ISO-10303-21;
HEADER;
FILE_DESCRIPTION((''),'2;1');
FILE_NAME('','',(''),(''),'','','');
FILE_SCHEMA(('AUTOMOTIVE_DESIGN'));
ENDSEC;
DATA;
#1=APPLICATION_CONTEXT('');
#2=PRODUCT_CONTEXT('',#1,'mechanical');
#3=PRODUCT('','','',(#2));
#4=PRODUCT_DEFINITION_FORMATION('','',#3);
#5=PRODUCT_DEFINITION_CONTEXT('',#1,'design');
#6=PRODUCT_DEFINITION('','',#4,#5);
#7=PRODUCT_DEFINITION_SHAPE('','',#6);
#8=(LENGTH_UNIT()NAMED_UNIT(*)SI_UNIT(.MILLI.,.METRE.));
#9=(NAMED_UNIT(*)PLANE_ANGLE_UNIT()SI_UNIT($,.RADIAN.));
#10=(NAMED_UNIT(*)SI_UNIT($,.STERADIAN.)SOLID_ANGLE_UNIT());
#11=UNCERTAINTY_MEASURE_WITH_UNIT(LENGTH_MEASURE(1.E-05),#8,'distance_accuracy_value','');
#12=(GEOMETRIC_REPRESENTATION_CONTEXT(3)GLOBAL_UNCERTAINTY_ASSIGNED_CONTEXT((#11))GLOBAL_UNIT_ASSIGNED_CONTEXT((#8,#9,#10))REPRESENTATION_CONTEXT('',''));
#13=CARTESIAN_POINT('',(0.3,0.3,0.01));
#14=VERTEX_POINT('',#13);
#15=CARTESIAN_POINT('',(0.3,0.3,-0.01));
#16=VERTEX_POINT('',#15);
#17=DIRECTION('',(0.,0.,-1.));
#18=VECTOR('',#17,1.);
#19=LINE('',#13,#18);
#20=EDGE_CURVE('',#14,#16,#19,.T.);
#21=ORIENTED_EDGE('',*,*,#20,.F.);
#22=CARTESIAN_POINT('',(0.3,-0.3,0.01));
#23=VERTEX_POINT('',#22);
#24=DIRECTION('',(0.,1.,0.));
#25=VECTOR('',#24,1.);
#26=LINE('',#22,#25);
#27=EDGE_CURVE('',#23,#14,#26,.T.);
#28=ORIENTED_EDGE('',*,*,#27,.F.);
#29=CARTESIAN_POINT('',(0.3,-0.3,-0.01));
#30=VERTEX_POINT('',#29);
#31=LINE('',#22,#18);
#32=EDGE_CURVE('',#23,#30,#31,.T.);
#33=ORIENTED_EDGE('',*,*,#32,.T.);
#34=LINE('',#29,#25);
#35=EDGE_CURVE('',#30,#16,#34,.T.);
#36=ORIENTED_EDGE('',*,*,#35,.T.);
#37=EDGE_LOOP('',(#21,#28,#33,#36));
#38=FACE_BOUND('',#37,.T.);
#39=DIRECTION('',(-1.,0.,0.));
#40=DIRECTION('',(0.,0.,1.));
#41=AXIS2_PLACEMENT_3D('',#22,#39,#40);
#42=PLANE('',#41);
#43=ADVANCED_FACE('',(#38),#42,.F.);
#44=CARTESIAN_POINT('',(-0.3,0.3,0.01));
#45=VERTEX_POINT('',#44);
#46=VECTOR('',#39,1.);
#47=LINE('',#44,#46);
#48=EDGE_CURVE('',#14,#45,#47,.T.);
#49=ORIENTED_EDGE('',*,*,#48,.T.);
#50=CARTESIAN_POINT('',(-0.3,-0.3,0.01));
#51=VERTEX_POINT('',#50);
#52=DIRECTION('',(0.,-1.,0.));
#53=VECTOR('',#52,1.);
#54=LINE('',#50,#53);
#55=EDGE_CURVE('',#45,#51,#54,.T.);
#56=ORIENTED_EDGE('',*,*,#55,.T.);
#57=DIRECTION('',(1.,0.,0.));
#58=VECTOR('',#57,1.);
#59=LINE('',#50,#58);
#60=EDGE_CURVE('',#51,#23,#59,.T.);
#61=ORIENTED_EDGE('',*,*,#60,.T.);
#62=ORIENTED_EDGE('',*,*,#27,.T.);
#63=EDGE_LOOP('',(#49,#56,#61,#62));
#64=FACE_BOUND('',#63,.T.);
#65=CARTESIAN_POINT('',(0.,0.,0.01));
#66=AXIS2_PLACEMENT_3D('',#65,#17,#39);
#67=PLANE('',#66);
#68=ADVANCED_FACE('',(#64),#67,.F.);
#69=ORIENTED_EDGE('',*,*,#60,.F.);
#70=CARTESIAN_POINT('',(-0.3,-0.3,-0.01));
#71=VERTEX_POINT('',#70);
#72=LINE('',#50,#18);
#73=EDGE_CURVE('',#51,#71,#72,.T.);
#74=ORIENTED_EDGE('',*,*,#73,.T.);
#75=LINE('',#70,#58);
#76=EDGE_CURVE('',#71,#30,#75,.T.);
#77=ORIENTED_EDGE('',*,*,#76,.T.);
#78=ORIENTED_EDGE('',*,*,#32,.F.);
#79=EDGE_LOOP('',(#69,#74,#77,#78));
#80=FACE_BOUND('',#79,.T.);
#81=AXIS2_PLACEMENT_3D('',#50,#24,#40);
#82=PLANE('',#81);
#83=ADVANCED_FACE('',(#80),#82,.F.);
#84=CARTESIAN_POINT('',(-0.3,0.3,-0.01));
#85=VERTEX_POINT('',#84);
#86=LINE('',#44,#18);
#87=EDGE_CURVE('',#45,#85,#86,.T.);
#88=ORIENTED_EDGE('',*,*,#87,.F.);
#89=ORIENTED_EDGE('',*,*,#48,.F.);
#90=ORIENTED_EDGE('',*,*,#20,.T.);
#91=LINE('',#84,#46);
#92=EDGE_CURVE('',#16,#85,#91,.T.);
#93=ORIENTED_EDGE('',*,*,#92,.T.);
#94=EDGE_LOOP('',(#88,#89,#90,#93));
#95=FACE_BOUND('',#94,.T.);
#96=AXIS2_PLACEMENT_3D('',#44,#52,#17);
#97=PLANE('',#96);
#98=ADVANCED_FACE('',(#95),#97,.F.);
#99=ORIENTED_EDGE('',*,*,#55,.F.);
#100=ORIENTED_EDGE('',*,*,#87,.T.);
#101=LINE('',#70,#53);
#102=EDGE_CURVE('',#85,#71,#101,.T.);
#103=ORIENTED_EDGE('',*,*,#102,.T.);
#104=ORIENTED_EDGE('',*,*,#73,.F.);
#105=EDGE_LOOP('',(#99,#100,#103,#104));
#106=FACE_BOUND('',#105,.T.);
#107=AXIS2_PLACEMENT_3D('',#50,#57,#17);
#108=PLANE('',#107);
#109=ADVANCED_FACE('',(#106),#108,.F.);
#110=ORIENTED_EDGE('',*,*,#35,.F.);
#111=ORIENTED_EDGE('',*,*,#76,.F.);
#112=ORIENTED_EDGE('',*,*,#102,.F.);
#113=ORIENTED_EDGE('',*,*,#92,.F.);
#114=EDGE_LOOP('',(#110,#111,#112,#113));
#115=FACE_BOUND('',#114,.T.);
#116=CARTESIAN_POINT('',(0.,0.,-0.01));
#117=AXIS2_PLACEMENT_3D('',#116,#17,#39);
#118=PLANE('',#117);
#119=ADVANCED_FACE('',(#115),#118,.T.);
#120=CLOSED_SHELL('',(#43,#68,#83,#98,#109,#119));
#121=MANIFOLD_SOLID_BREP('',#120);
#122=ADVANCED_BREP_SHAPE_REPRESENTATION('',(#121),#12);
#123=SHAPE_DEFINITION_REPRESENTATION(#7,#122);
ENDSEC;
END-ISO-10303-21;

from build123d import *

# Parameters (mm, degrees)
SKETCH2_W           = 0.6
SKETCH2_H           = 0.6
BOSS_EXTRUDE1_DEPTH = 0.01


with BuildPart() as part:
    # Sketch2 → Boss-Extrude1 (new, symmetric)
    with BuildSketch(Plane.XY):
        Rectangle(SKETCH2_W, SKETCH2_H)
    extrude(amount=BOSS_EXTRUDE1_DEPTH, both=True)


solid = part.part
